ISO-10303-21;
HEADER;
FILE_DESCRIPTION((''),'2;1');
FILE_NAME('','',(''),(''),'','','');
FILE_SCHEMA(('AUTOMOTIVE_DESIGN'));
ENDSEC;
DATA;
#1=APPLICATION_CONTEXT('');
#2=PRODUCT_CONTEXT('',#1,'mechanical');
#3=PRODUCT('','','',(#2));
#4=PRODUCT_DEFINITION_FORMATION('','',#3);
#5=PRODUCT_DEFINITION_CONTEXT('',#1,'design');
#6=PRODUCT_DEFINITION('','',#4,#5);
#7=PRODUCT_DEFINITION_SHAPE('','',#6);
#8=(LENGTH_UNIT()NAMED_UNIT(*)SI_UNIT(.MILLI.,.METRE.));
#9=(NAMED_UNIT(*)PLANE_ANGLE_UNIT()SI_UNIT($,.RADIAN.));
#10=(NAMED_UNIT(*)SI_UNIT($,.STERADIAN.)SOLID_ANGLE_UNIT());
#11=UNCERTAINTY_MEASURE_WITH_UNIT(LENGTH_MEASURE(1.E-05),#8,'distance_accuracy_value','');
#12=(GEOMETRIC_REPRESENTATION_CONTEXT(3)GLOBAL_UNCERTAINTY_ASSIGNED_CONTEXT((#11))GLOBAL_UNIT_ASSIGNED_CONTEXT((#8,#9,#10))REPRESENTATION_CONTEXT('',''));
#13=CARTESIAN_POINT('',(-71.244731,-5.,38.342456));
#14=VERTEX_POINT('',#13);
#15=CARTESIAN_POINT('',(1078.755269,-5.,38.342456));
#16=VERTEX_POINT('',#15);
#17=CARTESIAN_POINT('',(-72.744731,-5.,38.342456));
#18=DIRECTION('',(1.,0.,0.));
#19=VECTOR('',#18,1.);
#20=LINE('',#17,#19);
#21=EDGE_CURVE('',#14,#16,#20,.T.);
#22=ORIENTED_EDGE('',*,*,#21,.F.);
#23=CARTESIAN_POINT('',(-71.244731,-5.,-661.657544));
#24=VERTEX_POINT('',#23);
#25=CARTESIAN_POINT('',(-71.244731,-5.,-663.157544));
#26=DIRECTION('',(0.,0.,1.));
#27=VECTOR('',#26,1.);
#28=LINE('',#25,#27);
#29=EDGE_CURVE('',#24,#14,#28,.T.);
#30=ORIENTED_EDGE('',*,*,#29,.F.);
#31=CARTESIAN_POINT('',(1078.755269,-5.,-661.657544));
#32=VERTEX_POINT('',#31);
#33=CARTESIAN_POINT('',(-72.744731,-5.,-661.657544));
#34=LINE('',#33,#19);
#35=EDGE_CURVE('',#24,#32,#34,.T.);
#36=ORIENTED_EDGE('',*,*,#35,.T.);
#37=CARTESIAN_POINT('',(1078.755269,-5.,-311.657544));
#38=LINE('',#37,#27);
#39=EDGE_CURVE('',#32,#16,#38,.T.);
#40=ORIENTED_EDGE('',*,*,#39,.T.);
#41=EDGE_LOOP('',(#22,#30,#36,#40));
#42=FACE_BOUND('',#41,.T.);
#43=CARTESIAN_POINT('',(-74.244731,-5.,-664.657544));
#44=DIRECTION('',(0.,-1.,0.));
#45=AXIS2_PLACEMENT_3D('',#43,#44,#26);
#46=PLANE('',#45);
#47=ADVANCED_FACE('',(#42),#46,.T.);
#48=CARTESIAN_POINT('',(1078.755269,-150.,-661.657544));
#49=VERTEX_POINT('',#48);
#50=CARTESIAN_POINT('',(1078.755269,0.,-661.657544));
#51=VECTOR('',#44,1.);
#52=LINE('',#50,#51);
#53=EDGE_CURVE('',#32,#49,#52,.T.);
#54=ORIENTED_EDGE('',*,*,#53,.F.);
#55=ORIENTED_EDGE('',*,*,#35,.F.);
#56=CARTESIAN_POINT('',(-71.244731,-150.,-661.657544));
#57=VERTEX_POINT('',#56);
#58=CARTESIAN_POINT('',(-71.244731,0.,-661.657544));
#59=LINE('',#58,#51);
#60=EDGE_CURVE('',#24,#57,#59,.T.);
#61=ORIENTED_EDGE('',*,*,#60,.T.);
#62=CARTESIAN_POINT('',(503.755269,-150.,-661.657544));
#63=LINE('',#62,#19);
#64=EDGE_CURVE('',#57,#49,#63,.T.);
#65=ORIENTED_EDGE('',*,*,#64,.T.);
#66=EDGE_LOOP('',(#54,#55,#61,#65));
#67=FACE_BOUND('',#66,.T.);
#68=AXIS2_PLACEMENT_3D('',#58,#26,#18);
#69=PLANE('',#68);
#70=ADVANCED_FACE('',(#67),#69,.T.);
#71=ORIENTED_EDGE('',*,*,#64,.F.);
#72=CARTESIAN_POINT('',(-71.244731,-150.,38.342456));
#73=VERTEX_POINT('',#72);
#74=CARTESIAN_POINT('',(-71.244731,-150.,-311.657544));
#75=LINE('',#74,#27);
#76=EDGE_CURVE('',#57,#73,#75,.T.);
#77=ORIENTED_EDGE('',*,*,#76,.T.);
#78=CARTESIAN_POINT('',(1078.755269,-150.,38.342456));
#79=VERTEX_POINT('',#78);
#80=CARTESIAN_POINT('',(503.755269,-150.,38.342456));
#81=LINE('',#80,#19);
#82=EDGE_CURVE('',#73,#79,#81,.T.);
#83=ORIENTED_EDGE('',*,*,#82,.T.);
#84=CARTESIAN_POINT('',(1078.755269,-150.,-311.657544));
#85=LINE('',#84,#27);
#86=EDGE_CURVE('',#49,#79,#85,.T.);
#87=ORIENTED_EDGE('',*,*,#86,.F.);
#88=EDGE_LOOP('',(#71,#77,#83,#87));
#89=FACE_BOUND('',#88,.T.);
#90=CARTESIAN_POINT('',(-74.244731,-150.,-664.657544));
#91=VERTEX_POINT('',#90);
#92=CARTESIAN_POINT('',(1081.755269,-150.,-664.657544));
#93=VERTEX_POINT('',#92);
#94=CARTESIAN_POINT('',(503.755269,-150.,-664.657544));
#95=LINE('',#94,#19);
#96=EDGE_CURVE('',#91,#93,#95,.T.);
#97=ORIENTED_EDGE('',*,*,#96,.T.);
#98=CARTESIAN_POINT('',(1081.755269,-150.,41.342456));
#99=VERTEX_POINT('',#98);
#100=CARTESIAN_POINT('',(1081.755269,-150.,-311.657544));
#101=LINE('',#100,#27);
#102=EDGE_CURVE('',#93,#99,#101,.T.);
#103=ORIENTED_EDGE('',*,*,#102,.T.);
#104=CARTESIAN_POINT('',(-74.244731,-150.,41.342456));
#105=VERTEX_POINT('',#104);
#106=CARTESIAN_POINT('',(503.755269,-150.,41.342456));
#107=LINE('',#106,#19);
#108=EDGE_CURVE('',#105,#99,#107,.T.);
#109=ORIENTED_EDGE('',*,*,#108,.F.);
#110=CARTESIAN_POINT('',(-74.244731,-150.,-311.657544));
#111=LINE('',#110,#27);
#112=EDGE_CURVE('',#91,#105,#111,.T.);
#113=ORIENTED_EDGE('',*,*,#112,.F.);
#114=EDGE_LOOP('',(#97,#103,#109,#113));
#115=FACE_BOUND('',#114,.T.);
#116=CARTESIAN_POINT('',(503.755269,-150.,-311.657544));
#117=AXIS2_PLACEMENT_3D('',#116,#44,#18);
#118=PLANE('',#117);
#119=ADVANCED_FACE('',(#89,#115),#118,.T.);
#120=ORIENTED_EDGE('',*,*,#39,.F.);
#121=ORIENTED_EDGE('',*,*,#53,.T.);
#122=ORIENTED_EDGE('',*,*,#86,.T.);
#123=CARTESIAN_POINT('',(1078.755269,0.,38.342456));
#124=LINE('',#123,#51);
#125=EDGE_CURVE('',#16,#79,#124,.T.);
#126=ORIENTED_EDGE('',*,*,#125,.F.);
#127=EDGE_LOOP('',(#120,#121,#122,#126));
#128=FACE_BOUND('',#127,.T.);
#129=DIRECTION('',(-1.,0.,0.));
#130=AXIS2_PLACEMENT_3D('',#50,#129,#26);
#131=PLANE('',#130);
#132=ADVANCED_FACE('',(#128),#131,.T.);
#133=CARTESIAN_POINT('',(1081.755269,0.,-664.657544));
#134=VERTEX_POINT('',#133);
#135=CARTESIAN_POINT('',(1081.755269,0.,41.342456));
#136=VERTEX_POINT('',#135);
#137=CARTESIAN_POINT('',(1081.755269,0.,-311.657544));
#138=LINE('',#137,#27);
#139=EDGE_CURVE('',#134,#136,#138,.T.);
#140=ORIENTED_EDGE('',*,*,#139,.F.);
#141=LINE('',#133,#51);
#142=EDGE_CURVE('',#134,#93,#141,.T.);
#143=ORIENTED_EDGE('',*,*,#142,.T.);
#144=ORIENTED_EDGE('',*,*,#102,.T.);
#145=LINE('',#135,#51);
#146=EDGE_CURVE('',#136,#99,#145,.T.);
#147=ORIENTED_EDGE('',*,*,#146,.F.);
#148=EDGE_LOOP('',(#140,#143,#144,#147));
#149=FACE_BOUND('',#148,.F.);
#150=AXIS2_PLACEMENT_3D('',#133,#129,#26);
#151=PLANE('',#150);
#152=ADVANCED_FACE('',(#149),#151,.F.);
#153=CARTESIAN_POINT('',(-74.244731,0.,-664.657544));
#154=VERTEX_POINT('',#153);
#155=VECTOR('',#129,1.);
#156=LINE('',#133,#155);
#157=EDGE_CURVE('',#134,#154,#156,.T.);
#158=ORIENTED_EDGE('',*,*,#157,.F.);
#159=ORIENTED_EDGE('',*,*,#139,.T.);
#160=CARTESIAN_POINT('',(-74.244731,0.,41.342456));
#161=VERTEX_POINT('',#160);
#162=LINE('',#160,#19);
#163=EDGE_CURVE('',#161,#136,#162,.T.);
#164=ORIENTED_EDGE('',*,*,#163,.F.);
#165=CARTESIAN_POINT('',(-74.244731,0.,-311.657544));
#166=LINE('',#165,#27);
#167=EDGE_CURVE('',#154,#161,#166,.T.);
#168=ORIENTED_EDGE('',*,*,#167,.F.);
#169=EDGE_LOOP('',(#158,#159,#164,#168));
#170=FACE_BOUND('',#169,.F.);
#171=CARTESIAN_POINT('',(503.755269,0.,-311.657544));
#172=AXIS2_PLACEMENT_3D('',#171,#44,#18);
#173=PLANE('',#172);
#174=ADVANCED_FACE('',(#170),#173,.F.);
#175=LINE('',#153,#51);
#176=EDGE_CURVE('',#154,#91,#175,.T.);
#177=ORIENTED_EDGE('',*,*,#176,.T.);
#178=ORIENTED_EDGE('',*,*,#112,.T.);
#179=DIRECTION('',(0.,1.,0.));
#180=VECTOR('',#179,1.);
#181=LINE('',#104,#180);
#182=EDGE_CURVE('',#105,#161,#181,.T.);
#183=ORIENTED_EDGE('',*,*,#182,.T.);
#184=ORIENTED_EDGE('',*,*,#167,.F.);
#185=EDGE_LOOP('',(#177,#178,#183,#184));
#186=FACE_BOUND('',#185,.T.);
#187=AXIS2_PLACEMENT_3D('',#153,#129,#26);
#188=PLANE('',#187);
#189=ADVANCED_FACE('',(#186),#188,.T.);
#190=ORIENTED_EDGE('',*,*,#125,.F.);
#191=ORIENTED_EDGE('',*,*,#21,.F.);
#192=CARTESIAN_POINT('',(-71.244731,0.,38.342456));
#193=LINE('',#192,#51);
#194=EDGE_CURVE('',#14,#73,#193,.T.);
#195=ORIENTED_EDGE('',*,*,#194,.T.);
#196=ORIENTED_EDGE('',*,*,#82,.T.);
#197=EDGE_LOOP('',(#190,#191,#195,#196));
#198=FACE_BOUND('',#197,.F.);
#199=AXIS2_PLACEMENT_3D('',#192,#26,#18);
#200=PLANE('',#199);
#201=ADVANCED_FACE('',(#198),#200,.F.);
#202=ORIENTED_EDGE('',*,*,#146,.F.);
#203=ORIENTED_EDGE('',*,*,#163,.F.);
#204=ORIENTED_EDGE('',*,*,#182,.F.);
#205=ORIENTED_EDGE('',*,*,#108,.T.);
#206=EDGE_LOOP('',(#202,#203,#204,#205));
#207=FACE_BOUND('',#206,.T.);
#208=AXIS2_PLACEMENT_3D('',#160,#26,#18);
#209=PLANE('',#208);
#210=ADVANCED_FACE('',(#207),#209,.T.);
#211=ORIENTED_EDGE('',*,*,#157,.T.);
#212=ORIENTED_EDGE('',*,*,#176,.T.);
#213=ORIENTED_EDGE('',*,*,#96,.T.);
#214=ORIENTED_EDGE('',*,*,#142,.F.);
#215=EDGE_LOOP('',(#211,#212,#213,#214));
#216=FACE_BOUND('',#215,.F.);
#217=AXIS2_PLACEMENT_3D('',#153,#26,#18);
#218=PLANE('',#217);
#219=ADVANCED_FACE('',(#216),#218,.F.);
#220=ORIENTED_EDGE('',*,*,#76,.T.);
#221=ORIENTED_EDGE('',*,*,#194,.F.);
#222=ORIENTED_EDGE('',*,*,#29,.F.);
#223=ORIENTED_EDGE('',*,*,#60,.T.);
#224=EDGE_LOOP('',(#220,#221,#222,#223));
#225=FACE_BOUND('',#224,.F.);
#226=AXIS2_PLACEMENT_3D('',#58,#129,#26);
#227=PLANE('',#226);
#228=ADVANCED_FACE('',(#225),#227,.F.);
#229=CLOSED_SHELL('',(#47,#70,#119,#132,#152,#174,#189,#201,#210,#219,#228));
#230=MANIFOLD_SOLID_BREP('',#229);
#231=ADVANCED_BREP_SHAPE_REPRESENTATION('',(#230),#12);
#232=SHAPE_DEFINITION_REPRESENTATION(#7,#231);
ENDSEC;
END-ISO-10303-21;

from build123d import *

# Parameters (mm, degrees)
F0_W     = 1156
F0_H     = 706
F0_W_2   = 1150
F0_H_2   = 700
F1_DEPTH = 150
F2_W     = 5
F2_H     = 706
F3_DEPTH = 1153


with BuildPart() as f1:
    # F0 (on Front) → F1 (new body)
    with BuildSketch(Plane.XZ):
        with Locations((503.755269, -311.657544)):
            Rectangle(F0_W, F0_H)
        with Locations((503.755269, -311.657544)):
            Rectangle(F0_W_2, F0_H_2, mode=Mode.SUBTRACT)
    extrude(amount=F1_DEPTH)

    # F2 (on face) → F3 (join, through all)
    with BuildSketch(Plane(origin=(-74.244731, 0, 0), x_dir=(0, -1, 0), z_dir=(-1, 0, 0))):
        with Locations((2.5, -311.657544)):
            Rectangle(F2_W, F2_H)
    extrude(amount=-F3_DEPTH)


solid = f1.part
